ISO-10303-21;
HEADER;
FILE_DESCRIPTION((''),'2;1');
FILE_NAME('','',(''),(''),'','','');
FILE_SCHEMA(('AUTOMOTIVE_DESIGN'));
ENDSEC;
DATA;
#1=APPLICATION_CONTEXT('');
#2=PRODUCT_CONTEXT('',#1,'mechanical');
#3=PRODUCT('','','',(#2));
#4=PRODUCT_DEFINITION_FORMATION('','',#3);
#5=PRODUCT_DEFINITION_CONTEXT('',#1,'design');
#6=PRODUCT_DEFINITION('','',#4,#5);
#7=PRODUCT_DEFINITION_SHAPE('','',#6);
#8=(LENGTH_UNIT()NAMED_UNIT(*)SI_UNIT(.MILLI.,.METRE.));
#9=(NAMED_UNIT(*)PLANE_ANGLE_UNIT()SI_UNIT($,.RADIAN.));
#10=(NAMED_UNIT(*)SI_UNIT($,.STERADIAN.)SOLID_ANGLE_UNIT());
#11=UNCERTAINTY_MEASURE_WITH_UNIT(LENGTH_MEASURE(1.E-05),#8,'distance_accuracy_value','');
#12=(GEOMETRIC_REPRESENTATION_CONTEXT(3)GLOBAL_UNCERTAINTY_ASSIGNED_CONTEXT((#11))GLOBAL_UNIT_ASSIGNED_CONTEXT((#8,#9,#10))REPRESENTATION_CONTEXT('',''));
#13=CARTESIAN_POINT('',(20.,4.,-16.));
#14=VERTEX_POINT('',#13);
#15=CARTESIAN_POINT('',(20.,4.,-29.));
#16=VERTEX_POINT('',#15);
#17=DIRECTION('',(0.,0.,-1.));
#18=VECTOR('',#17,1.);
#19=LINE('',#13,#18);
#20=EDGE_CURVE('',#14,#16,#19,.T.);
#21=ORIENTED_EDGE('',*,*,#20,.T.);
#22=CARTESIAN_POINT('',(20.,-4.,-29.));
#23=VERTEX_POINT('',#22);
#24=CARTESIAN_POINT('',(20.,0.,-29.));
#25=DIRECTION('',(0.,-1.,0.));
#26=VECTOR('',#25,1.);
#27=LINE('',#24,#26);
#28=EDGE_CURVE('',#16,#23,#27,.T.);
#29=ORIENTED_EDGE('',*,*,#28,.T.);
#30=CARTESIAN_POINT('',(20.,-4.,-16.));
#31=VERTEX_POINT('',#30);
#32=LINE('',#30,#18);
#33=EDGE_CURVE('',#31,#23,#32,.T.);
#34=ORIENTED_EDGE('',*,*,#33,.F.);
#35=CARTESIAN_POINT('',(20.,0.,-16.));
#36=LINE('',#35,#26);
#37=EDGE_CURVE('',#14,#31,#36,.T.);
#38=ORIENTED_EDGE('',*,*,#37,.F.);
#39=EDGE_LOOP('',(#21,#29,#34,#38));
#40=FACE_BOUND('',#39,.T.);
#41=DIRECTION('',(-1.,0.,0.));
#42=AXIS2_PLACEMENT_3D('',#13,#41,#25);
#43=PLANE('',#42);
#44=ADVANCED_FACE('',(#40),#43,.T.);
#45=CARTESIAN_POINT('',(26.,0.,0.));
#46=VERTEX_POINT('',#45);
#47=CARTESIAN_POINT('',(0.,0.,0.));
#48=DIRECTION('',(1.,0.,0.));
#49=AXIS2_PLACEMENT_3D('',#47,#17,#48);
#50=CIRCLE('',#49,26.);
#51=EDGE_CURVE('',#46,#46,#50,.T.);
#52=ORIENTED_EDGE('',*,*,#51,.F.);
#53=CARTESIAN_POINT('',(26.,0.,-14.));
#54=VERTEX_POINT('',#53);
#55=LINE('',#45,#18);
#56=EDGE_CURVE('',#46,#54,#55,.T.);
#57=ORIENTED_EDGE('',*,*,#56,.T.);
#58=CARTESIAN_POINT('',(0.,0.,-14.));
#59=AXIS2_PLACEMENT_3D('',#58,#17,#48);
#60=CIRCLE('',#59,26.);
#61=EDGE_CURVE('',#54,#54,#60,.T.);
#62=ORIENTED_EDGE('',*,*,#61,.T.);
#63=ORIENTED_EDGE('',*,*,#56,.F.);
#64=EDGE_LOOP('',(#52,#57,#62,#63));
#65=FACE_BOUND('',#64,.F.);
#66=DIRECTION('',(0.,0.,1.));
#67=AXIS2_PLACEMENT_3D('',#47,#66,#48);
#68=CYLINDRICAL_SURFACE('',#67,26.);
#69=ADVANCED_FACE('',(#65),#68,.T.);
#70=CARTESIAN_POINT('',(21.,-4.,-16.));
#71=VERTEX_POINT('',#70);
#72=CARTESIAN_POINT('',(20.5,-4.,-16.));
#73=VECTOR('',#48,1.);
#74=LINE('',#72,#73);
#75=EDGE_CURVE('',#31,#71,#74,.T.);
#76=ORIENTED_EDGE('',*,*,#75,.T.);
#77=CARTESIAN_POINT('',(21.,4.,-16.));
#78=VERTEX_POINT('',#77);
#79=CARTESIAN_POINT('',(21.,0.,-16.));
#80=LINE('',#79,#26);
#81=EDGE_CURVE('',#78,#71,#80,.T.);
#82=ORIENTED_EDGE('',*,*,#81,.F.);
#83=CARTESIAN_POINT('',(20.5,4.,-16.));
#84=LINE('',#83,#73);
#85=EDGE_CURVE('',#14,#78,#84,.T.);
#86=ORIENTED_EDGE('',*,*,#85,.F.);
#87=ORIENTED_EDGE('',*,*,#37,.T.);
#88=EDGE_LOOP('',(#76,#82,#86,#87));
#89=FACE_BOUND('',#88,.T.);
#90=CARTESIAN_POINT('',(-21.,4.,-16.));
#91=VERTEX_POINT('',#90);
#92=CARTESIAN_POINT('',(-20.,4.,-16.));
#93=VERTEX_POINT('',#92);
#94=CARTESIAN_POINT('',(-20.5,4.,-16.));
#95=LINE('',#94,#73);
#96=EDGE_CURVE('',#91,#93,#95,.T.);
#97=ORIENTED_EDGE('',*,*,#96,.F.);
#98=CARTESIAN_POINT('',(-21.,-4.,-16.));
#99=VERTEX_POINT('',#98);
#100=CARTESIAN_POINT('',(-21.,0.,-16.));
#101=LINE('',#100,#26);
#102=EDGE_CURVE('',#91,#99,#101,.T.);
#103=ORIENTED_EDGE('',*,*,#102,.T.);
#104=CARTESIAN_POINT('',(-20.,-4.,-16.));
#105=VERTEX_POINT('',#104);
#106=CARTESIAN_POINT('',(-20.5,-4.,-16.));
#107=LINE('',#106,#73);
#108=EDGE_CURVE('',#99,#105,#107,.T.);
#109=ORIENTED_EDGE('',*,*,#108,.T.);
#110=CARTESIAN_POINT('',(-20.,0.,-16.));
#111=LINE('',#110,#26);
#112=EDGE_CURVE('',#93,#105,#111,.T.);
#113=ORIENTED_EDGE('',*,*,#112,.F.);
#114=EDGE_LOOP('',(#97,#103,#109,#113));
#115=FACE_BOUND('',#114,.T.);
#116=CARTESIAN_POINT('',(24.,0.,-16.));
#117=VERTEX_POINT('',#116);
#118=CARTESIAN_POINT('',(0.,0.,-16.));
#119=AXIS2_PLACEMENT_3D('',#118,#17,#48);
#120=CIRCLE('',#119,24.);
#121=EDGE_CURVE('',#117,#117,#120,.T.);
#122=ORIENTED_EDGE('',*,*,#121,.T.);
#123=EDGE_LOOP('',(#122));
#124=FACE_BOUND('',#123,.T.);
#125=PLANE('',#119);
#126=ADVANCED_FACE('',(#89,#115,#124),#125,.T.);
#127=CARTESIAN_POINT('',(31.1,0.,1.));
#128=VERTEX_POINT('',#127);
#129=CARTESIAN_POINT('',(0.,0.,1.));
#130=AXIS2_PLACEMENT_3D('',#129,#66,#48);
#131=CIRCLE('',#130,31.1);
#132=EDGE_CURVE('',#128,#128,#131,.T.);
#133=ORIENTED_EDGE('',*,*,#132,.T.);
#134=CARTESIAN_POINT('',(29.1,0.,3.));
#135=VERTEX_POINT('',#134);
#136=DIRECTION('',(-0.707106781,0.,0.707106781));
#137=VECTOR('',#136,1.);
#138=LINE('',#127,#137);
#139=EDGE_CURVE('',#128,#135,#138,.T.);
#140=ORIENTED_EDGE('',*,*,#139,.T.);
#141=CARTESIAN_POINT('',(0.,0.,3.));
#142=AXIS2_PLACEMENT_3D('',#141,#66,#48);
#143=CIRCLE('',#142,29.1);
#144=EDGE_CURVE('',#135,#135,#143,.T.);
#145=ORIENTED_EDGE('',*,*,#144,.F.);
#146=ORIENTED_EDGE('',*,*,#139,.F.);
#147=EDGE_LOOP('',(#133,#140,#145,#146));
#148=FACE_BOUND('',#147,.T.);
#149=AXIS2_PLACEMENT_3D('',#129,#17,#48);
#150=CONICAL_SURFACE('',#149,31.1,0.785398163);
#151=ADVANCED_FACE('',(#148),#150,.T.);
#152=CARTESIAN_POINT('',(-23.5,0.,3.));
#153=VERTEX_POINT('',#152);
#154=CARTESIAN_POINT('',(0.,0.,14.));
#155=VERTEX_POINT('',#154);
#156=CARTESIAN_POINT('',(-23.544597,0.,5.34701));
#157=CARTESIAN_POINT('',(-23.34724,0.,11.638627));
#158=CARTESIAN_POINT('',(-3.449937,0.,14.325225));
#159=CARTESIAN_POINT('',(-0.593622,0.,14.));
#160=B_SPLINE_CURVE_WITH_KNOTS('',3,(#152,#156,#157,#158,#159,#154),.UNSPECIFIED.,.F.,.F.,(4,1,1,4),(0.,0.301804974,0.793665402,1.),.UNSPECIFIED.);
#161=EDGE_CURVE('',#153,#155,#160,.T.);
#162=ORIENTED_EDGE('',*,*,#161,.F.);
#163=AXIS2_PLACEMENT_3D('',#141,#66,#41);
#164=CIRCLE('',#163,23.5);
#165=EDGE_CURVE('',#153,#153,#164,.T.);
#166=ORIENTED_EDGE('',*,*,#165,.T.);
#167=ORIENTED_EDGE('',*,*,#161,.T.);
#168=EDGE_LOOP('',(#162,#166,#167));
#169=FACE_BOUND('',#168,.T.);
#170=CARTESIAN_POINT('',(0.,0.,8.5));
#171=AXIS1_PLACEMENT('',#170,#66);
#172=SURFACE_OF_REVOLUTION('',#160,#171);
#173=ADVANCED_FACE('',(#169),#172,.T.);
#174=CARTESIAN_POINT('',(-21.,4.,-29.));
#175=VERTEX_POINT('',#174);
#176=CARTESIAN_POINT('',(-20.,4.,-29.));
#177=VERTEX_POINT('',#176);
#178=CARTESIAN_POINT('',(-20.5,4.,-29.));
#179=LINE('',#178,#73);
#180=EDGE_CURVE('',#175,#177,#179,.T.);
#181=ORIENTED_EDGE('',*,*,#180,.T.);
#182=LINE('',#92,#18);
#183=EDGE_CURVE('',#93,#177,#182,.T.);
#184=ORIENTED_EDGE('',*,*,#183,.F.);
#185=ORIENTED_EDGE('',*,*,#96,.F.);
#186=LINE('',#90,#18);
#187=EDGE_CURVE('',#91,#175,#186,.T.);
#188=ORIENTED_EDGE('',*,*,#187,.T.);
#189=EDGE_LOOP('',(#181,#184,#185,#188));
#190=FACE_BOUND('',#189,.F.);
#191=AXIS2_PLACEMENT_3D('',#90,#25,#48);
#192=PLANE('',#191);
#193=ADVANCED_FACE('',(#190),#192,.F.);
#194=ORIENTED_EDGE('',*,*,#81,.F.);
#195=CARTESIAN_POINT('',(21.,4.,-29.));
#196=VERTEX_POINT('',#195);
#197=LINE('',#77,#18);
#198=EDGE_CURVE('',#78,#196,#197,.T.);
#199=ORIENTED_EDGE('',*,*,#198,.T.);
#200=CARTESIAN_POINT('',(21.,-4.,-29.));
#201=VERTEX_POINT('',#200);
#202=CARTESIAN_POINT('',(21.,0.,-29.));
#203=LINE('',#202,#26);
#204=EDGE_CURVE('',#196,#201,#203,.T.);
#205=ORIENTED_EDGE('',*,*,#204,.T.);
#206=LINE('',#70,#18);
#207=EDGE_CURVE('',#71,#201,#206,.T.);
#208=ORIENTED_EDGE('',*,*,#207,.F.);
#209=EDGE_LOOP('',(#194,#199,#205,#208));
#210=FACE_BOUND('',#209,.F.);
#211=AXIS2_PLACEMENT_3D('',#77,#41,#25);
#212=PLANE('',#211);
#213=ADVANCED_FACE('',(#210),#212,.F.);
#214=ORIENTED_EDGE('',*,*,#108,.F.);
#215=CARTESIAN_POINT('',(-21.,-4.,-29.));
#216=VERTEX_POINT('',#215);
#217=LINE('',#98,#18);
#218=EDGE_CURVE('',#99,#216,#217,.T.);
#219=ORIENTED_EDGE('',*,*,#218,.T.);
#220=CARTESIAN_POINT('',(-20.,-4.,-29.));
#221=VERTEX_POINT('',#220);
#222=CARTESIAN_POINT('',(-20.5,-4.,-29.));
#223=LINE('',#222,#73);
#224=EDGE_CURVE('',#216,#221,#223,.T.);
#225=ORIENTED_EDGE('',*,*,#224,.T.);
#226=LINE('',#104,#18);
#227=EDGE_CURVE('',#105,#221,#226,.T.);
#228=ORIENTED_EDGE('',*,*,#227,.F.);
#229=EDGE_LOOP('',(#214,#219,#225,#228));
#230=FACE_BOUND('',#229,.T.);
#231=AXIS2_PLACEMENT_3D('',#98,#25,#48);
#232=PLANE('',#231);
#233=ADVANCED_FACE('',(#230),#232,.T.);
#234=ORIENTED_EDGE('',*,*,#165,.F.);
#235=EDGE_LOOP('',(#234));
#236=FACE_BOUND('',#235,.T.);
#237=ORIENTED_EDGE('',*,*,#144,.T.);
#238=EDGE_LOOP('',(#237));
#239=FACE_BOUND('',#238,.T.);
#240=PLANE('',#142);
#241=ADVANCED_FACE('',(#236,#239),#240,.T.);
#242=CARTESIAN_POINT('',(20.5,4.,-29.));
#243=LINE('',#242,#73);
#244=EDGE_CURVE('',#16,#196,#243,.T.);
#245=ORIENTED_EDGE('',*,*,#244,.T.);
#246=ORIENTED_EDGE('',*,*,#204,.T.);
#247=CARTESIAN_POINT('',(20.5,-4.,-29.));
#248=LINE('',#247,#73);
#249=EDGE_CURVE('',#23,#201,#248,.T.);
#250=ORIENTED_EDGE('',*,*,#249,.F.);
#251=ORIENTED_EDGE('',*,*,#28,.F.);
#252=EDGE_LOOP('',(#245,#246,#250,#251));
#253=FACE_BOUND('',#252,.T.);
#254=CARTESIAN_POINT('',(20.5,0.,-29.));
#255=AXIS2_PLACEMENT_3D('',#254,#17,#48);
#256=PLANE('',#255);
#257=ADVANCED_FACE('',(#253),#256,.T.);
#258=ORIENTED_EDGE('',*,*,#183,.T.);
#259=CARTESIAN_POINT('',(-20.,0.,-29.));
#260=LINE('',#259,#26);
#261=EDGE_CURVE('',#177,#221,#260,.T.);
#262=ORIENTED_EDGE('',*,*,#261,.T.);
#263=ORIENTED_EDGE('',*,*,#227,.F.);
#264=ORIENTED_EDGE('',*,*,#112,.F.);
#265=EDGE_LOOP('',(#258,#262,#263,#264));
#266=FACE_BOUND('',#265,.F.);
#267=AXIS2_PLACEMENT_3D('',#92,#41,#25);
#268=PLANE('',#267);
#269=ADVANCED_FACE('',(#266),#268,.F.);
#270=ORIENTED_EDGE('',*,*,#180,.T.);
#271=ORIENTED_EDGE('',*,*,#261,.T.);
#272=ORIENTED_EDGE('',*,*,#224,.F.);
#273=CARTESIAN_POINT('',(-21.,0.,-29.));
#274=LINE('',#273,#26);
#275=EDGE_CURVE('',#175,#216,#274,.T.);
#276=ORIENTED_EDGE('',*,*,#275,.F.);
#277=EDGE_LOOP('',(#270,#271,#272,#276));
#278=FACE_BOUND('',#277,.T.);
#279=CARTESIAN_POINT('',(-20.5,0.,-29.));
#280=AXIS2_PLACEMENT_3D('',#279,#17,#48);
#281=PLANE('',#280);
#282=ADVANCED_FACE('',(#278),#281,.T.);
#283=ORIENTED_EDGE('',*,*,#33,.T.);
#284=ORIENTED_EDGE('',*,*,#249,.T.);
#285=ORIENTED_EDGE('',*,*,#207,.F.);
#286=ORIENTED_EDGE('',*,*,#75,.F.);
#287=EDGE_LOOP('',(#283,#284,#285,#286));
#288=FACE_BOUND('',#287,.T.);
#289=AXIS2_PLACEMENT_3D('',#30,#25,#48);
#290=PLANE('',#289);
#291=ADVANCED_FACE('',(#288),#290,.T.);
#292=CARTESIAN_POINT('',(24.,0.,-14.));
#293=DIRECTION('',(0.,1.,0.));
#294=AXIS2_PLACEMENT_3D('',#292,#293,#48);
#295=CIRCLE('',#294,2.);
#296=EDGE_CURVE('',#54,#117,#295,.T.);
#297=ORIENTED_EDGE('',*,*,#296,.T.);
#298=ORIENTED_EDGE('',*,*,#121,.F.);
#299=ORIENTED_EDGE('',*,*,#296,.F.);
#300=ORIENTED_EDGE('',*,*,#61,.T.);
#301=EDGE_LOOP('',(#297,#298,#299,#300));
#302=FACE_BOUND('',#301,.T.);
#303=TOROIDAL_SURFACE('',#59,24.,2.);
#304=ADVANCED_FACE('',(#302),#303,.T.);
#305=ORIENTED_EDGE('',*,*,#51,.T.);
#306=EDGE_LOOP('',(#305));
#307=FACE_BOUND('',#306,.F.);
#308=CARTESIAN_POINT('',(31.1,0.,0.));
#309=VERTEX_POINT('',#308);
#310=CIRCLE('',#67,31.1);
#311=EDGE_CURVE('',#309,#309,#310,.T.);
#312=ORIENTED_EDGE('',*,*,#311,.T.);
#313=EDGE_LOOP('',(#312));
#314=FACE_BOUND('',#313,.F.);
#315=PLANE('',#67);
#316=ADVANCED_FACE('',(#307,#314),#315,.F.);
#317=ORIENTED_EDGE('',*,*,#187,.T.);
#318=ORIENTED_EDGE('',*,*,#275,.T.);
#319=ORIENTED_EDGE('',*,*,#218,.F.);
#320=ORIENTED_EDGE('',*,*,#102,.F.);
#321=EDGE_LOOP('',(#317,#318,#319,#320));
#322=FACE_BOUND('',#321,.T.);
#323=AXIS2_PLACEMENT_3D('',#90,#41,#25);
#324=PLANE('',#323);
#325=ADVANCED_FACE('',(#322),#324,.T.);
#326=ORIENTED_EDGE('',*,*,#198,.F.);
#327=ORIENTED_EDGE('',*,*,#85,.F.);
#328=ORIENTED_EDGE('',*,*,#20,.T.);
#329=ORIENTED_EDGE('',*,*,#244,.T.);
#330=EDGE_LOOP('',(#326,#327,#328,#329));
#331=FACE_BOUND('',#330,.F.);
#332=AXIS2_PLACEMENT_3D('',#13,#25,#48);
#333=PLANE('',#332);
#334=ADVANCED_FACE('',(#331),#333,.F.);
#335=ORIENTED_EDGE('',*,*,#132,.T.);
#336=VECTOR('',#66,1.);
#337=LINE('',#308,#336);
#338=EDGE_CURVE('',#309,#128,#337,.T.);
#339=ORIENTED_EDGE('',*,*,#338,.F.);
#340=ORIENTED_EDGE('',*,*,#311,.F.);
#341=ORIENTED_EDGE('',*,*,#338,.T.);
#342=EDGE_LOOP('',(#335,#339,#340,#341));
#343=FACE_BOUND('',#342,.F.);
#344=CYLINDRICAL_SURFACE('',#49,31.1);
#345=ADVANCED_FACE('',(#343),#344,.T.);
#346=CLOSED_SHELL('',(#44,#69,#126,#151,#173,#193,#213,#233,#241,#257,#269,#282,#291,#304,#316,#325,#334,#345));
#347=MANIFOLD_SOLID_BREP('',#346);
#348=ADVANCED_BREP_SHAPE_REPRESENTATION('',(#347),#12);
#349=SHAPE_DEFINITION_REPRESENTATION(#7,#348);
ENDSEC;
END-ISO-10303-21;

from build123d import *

# Parameters (mm, degrees)
F0_R     = 31.1
F1_DEPTH = 3
F2_SIZE  = 2
F3_R     = 26
F4_DEPTH = 16
F5_R     = 2
F6_W     = 1
F6_H     = 8
F7_DEPTH = 13


with BuildPart() as f1:
    # F0 (on Top) → F1 (new body)
    with BuildSketch(Plane.XY):
        Circle(F0_R)
    extrude(amount=F1_DEPTH)

    # F2
    f2_edges = [f1.edges().sort_by_distance(p)[0] for p in [
        (-31.1, 0, 3),
    ]]
    chamfer(f2_edges, length=F2_SIZE)

    # F3 (on face) → F4 (join)
    with BuildSketch(Plane(origin=(0, 0, 0), x_dir=(1, 0, 0), z_dir=(0, 0, -1))):
        Circle(F3_R)
    extrude(amount=F4_DEPTH)

    # F5
    f5_edges = [f1.edges().sort_by_distance(p)[0] for p in [
        (-26, 0, -16),
    ]]
    fillet(f5_edges, radius=F5_R)

    # F6 (on face) → F7 (join)
    with BuildSketch(Plane(origin=(0, 0, -16), x_dir=(1, 0, 0), z_dir=(0, 0, -1))):
        with Locations((-20.5, 0)):
            Rectangle(F6_W, F6_H)
        with Locations((20.5, 0)):
            Rectangle(F6_W, F6_H)
    extrude(amount=F7_DEPTH)

    # F9 (on Front) → F10 (revolve)
    with BuildSketch(Plane.XZ):
        with BuildLine():
            Line((-23.5, 3), (0, 3))
            Line((0, 3), (0, 14))
            add(Edge.make_bspline(
                [(-23.5, 3), (-23.5445970751, 5.3470100891), (-23.3472398778, 11.6386271394), (-3.4499369243, 14.3252252988), (-0.5936216616, 14), (0, 14)],
                knots=[0, 0, 0, 0, 0.3018049736, 0.7936654017, 1, 1, 1, 1], degree=3))
        make_face()
    revolve(axis=Axis((0, 0, 8.5), (0, 0, 1)))


solid = f1.part
